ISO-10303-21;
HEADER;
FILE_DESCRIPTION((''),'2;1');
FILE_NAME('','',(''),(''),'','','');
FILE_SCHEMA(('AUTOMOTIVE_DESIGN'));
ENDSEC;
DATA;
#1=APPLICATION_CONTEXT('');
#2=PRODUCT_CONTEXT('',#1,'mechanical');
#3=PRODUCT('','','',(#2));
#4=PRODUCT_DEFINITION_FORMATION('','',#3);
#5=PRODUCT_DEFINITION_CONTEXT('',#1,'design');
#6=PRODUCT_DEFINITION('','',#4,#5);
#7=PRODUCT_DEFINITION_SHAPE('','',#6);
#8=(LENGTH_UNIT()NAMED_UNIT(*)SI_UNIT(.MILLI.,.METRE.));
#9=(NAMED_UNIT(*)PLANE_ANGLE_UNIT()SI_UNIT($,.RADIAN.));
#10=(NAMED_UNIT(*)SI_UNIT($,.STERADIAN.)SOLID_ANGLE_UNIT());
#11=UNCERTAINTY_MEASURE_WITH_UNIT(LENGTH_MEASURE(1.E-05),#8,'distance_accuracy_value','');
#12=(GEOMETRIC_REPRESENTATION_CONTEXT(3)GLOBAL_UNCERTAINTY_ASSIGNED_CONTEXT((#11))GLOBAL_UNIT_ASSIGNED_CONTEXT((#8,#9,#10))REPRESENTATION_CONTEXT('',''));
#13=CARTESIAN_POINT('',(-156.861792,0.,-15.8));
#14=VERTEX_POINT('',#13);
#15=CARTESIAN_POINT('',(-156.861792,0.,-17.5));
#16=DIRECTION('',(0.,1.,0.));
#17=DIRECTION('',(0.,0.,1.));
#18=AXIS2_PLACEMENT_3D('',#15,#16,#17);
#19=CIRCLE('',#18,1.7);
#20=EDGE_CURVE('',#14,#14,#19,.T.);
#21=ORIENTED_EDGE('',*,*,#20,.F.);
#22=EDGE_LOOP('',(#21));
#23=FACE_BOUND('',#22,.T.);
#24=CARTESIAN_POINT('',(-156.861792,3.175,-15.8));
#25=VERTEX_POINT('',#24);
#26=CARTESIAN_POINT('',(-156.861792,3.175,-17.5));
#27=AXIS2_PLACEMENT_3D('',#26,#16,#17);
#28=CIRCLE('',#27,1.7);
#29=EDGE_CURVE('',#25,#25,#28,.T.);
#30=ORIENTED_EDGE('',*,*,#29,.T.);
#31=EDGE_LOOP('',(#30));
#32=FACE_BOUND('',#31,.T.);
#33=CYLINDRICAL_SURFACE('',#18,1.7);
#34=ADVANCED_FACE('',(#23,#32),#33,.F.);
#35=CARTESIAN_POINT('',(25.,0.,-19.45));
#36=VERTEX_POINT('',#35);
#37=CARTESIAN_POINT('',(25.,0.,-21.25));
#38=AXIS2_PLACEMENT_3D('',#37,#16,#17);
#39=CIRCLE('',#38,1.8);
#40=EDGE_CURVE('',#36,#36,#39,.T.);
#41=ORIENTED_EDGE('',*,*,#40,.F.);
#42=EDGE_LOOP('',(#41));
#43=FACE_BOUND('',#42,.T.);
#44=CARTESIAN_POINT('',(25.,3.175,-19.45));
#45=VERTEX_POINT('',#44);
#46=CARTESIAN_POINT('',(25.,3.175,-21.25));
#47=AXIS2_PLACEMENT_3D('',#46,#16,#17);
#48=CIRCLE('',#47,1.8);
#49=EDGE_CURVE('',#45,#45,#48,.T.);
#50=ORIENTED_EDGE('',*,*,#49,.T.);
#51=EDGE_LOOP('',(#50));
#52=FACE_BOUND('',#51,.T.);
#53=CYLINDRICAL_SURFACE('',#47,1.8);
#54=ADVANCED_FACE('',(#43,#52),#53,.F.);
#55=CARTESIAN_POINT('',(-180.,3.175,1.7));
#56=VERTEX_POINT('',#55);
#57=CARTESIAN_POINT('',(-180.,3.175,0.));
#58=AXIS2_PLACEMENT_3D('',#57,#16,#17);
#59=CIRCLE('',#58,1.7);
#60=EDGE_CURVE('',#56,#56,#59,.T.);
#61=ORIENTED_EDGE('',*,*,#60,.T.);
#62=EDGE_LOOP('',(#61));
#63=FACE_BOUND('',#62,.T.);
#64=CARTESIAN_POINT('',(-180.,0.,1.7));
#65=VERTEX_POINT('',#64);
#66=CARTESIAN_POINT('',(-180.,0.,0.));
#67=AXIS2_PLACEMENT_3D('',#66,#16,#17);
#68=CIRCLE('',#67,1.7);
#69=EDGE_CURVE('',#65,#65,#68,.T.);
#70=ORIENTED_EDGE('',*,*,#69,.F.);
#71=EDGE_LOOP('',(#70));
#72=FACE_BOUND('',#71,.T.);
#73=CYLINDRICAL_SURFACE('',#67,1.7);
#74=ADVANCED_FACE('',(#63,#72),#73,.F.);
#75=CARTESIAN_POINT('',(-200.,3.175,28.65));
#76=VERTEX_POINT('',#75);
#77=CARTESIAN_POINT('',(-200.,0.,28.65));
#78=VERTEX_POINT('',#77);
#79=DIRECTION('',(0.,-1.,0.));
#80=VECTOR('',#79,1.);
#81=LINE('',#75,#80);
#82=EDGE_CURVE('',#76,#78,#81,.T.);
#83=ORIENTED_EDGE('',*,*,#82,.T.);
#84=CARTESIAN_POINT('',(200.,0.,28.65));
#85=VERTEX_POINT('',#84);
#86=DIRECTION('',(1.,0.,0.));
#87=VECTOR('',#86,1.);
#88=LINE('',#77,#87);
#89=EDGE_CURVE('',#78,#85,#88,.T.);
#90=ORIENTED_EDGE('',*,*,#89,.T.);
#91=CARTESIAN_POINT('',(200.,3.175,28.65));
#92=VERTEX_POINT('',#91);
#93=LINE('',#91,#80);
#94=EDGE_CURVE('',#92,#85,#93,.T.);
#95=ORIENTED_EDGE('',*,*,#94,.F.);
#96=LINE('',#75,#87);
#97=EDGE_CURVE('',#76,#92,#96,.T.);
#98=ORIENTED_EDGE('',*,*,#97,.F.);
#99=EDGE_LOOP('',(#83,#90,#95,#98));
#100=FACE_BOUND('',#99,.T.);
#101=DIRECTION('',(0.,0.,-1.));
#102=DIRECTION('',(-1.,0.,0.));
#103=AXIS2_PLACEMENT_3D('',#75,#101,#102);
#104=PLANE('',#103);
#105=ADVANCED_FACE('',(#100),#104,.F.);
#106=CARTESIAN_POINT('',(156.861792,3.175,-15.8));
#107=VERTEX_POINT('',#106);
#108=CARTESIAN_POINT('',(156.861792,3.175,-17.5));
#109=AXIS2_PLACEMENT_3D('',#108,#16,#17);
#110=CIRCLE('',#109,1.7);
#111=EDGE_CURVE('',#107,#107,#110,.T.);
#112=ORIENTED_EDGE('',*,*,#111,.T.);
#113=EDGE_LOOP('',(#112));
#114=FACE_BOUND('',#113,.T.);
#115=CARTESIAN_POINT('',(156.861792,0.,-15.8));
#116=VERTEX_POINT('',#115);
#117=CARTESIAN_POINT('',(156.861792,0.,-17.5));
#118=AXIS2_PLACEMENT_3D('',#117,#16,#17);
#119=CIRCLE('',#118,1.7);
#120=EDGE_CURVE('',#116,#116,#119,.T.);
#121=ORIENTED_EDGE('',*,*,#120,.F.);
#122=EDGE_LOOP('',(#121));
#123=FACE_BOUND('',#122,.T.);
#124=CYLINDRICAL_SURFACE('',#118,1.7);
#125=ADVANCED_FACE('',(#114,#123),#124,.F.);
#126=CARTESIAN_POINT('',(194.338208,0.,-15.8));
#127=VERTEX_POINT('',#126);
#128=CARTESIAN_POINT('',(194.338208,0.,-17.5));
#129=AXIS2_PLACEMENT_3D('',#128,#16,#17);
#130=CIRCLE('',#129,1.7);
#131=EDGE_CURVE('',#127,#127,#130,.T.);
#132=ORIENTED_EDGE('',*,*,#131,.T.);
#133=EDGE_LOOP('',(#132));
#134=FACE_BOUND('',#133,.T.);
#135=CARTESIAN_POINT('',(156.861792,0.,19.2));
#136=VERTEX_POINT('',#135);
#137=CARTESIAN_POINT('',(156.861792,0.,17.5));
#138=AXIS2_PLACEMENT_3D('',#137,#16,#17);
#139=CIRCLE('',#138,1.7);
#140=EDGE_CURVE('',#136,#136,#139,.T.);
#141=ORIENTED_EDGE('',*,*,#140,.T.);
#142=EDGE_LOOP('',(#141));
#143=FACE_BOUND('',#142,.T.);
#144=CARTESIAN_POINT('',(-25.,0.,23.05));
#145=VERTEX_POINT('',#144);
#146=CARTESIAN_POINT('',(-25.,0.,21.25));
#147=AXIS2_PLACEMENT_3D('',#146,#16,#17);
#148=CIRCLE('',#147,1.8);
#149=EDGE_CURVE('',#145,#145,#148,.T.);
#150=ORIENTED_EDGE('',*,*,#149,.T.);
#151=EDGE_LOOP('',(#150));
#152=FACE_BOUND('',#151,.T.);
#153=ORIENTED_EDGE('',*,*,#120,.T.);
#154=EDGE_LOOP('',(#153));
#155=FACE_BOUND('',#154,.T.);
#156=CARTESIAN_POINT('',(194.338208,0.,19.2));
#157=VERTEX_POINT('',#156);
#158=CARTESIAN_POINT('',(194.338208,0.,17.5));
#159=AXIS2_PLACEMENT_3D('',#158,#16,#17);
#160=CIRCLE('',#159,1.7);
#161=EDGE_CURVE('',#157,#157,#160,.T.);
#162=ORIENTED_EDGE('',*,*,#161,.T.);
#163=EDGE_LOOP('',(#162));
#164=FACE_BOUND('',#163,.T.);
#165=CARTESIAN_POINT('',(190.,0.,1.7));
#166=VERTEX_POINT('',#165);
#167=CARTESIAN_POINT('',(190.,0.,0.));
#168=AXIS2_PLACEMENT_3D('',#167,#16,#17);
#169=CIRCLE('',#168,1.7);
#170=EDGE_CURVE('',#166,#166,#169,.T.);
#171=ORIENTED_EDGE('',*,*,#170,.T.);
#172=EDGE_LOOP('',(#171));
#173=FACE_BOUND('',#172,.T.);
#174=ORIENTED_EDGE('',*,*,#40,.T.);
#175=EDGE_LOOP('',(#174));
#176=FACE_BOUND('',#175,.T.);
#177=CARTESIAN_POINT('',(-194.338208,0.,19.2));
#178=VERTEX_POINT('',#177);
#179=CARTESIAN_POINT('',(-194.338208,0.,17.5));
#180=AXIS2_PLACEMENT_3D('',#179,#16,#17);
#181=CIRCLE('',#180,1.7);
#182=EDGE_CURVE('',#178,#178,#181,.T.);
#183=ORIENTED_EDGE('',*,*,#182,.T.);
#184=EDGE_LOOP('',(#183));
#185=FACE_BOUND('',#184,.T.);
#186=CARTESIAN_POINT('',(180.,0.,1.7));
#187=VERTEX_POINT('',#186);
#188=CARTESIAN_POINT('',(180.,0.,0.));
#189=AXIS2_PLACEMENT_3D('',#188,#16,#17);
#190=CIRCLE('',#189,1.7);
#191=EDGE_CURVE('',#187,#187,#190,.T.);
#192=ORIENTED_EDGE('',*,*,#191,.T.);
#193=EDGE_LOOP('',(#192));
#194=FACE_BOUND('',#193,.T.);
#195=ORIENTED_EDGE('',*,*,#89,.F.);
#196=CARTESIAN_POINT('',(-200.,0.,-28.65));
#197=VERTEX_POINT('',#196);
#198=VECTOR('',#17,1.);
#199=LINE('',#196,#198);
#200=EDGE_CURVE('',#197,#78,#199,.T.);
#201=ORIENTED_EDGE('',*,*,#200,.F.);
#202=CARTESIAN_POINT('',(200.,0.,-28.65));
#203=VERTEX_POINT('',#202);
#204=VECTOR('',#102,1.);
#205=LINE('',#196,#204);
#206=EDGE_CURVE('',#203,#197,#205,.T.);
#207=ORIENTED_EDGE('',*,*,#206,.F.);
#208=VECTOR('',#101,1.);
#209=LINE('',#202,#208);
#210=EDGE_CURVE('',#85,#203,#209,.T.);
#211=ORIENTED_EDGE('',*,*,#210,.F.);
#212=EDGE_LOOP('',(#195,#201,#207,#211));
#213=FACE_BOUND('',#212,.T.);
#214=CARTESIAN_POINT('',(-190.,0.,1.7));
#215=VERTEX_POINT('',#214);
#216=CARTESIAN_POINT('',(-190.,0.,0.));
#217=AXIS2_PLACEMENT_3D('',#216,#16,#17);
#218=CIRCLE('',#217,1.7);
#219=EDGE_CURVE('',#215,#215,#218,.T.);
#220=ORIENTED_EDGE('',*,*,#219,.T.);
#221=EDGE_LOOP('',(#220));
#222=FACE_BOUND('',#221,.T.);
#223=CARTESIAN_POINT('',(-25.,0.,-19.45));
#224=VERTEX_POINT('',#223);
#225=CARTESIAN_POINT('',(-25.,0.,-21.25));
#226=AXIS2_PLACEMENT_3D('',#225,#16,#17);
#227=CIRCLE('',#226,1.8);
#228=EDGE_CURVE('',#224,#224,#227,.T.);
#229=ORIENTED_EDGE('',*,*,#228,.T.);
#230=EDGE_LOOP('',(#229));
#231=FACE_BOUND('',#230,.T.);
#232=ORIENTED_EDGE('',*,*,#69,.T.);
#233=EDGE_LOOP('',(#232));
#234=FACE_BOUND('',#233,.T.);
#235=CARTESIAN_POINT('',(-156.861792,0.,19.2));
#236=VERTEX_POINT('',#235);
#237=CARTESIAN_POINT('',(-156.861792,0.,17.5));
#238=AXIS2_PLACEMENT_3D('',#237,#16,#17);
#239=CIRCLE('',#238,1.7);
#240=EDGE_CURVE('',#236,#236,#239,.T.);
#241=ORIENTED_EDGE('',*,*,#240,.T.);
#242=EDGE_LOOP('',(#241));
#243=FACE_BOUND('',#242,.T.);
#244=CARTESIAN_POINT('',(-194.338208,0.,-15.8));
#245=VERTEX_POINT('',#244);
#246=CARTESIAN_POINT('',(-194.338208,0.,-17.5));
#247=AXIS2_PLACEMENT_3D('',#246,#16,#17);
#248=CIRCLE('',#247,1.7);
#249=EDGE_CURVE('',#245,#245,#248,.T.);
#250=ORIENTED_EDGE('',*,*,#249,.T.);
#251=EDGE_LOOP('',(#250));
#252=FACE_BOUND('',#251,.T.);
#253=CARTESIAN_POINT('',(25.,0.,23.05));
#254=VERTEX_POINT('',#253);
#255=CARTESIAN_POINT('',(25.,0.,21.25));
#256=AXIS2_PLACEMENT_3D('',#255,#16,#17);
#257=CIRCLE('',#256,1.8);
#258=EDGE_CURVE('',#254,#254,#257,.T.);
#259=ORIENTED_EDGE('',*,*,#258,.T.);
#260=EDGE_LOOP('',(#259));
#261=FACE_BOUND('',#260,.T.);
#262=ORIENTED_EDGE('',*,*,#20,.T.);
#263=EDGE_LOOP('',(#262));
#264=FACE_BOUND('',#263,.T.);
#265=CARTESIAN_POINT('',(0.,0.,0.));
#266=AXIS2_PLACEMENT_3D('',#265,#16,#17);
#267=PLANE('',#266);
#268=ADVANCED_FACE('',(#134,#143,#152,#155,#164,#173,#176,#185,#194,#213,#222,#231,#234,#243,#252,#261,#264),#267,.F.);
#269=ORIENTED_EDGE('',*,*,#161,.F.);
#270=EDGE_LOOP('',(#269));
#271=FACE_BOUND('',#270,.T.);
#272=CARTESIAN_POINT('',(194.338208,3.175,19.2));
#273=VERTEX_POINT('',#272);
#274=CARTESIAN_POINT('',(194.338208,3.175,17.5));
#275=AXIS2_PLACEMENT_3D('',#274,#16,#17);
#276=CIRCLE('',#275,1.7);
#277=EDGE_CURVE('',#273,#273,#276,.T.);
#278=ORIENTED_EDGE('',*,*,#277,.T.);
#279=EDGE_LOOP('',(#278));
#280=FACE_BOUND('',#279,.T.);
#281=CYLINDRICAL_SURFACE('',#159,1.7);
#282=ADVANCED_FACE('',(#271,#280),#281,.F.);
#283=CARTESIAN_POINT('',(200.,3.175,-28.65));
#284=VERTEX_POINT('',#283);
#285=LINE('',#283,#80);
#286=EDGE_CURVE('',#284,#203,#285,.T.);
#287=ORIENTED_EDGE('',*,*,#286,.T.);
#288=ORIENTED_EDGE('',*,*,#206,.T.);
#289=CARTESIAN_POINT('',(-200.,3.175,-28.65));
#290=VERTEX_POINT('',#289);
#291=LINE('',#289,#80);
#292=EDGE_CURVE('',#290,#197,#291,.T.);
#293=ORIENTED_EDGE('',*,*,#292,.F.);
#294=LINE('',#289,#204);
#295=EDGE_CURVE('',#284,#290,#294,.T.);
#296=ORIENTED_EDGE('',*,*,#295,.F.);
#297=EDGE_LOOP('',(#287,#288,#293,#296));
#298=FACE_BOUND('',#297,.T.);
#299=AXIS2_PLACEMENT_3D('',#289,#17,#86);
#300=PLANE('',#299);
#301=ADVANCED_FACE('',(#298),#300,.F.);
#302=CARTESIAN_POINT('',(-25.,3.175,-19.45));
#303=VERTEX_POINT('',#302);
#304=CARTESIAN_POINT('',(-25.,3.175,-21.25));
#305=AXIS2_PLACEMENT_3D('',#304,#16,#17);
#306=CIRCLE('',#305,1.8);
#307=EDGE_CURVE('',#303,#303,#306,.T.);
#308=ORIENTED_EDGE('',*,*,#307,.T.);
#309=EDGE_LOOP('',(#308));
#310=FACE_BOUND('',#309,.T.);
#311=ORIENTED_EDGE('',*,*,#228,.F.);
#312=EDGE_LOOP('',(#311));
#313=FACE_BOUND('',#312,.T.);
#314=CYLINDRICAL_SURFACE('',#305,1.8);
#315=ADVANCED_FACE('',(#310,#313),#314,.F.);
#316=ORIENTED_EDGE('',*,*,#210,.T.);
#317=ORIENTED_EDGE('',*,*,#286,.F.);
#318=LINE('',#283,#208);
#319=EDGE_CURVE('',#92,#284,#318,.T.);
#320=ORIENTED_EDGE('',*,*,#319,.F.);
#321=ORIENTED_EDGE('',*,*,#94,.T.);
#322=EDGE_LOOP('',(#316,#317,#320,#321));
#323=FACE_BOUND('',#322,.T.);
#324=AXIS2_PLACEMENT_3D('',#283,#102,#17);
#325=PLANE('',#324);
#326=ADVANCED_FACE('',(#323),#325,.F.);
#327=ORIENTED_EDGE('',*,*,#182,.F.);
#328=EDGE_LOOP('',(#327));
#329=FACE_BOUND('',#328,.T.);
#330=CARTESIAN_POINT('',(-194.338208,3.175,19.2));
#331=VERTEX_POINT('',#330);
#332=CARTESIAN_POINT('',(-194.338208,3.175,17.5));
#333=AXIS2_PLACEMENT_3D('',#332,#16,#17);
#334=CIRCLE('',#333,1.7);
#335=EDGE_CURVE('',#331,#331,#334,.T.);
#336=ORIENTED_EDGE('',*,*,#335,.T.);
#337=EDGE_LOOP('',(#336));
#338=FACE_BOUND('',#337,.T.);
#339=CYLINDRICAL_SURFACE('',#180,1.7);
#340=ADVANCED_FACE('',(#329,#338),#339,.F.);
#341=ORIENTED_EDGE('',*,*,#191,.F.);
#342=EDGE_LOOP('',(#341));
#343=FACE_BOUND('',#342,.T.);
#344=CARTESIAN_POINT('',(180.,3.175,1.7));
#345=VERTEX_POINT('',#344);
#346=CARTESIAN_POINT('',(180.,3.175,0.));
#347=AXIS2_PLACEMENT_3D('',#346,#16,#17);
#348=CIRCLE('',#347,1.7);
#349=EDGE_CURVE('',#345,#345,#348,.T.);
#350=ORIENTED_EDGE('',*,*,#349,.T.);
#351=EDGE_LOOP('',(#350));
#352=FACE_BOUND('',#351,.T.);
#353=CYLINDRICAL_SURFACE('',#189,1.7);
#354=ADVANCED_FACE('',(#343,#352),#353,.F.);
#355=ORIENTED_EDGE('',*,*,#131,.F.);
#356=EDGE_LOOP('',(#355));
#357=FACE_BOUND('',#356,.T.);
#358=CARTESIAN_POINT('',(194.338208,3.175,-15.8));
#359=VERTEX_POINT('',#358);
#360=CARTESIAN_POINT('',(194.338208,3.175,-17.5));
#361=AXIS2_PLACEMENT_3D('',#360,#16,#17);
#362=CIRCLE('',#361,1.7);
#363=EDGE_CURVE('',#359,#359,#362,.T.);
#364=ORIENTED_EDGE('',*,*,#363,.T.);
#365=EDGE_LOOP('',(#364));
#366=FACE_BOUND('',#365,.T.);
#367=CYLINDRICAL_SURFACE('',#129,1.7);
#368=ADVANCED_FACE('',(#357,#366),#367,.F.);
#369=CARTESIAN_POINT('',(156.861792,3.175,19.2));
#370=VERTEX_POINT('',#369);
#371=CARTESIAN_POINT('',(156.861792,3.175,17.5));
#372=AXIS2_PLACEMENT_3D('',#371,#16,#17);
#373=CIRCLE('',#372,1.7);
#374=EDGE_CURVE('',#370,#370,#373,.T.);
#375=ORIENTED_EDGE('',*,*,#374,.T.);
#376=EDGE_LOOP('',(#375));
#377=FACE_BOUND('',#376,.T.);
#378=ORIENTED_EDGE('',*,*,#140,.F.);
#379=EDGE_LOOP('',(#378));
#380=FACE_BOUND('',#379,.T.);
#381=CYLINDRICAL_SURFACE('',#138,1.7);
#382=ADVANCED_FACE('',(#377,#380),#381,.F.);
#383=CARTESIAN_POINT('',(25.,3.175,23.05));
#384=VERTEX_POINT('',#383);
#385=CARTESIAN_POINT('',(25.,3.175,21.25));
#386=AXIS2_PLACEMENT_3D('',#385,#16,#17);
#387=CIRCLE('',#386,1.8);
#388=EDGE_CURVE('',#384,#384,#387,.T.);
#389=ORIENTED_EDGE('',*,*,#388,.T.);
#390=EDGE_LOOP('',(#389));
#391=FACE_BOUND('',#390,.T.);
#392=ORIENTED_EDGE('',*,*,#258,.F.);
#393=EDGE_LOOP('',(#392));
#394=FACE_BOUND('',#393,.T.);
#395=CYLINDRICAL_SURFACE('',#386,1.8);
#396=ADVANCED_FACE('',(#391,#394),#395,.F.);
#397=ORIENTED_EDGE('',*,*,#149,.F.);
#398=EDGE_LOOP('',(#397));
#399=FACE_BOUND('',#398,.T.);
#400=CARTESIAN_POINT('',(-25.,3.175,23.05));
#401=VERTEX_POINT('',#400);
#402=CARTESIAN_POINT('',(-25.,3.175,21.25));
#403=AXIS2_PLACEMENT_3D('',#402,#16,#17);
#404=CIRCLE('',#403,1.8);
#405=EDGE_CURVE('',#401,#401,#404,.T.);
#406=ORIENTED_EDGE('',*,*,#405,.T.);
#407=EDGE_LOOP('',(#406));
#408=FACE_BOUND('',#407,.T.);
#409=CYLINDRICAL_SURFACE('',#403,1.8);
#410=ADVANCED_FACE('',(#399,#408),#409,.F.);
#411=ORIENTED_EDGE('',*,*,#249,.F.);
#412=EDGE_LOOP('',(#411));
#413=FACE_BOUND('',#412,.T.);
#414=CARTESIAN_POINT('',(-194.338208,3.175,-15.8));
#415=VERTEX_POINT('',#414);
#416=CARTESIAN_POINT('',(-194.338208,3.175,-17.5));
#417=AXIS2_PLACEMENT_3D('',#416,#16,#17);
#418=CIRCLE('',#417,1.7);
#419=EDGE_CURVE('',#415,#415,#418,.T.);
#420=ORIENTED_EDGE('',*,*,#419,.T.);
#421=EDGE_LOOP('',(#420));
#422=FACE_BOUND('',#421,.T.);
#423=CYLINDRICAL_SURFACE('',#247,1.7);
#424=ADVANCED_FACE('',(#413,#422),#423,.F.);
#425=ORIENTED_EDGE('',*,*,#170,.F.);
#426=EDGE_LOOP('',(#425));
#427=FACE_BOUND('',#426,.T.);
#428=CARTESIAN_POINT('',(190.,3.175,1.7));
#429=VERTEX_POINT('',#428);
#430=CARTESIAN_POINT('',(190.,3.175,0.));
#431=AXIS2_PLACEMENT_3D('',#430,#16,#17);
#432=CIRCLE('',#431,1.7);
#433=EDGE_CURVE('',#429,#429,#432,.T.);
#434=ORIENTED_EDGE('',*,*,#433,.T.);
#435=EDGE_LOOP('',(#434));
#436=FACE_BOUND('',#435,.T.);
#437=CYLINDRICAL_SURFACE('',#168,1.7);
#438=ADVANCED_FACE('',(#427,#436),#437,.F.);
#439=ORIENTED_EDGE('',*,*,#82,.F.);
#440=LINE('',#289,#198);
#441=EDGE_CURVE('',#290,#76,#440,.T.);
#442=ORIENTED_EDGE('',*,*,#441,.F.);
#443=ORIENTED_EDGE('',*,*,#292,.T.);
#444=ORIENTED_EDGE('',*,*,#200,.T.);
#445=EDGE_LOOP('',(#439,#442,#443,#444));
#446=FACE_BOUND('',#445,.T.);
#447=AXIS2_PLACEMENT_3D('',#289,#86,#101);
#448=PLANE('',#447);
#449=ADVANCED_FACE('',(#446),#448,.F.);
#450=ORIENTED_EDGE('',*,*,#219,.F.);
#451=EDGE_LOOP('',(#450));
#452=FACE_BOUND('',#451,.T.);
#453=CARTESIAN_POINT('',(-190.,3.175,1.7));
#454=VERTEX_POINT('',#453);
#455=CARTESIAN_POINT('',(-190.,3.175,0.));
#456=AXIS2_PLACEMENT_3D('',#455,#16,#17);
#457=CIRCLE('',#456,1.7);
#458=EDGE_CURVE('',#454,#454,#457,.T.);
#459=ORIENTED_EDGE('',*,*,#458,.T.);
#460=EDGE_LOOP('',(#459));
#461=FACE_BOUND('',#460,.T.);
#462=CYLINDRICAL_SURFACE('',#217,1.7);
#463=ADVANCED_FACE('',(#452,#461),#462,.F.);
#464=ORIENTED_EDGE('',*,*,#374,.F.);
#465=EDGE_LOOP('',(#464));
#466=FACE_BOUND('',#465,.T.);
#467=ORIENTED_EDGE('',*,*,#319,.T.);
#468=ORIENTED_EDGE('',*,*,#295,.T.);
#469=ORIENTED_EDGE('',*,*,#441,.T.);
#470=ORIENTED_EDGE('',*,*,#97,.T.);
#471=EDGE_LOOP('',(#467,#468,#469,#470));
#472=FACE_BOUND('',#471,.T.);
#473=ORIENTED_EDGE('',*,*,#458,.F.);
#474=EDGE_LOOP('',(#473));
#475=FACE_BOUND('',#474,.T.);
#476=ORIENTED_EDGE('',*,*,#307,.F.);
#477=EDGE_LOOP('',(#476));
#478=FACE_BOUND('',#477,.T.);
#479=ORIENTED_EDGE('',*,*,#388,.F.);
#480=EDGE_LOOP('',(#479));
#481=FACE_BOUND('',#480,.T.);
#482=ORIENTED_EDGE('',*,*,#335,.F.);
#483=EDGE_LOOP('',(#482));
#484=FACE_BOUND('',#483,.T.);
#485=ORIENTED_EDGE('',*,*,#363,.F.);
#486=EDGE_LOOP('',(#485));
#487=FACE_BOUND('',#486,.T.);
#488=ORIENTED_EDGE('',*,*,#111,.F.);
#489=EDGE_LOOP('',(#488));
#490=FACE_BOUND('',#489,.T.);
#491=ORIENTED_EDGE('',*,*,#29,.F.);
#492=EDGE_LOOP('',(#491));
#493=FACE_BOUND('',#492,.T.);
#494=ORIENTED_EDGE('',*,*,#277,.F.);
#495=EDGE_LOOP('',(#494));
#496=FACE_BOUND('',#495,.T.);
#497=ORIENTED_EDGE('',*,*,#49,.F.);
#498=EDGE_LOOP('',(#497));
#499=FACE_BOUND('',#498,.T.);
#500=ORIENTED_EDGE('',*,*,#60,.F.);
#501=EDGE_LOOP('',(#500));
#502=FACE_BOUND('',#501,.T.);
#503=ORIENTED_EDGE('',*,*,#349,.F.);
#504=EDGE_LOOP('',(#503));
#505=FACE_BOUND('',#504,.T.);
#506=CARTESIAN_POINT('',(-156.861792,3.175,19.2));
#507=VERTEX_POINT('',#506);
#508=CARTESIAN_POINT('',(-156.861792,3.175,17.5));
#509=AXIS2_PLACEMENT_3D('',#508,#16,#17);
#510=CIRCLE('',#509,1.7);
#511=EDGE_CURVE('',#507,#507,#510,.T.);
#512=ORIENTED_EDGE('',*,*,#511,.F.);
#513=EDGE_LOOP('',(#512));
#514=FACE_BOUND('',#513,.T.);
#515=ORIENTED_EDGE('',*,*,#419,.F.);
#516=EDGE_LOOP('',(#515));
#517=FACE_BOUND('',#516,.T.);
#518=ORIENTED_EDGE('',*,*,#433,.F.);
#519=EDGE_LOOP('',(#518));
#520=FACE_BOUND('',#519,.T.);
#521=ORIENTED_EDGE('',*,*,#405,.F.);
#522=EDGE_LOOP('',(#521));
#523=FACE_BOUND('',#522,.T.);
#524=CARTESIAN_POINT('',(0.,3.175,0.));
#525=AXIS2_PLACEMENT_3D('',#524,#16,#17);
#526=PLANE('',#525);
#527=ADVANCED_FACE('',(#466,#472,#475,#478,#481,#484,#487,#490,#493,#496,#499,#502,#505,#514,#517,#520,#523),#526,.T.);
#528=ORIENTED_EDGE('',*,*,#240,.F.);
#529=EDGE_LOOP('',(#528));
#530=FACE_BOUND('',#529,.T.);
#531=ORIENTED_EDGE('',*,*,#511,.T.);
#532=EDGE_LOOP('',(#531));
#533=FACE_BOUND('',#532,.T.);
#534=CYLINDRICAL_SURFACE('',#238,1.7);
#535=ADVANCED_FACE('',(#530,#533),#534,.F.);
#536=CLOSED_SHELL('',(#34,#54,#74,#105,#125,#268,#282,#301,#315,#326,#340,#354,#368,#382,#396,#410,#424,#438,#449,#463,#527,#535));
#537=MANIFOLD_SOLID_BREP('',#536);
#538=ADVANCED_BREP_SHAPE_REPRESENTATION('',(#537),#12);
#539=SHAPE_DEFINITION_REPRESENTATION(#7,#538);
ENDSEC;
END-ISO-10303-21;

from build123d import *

# Parameters (mm, degrees)
SKETCH1_W                = 400
SKETCH1_H                = 57.3
BOSS_EXTRUDE1_DEPTH      = 3.175
SKETCH2_R                = 1.7
CUT_EXTRUDE1_DEPTH       = 203.066580921
M3_CLEARANCE_HOLE1_D     = 3.6
M3_CLEARANCE_HOLE1_DEPTH = 3.918450886
M3_CLEARANCE_HOLE1_TIP   = 1.081549114


with BuildPart() as part:
    # Sketch1 → Boss-Extrude1 (new body)
    with BuildSketch(Plane(origin=(0, 0, 0), x_dir=(1, 0, 0), z_dir=(0, 1, 0))):
        Rectangle(SKETCH1_W, SKETCH1_H)
    extrude(amount=BOSS_EXTRUDE1_DEPTH)

    # Sketch2 → Cut-Extrude1 (cut, through all)
    with BuildSketch(Plane(origin=(0, 3.175, 0), x_dir=(1, 0, 0), z_dir=(0, 1, 0))):
        with Locations(Location((-194.338207547, -17.5, 0), (0, 0, 270))):
            Circle(SKETCH2_R)
        with Locations(Location((-194.338207547, 17.5, 0), (0, 0, 270))):
            Circle(SKETCH2_R)
        with Locations(Location((-190, -4e-09, 0), (0, 0, 270))):
            Circle(SKETCH2_R)
        with Locations(Location((-180, -4e-09, 0), (0, 0, 270))):
            Circle(SKETCH2_R)
        with Locations(Location((-156.861792453, -17.5, 0), (0, 0, 270))):
            Circle(SKETCH2_R)
        with Locations(Location((-156.861792453, 17.5, 0), (0, 0, 270))):
            Circle(SKETCH2_R)
        with Locations(Location((156.861792453, 17.5, 0), (0, 0, 270))):
            Circle(SKETCH2_R)
        with Locations(Location((156.861792453, -17.5, 0), (0, 0, 270))):
            Circle(SKETCH2_R)
        with Locations(Location((194.338207547, -17.5, 0), (0, 0, 270))):
            Circle(SKETCH2_R)
        with Locations(Location((180, 4e-09, 0), (0, 0, 270))):
            Circle(SKETCH2_R)
        with Locations(Location((190, 4e-09, 0), (0, 0, 270))):
            Circle(SKETCH2_R)
        with Locations(Location((194.338207547, 17.5, 0), (0, 0, 270))):
            Circle(SKETCH2_R)
    extrude(amount=-CUT_EXTRUDE1_DEPTH, mode=Mode.SUBTRACT)

    # M3 Clearance Hole1
    with Locations(Plane(origin=(0, 3.175, 0), x_dir=(1, 0, 0), z_dir=(0, 1, 0))):
        with Locations((25, -21.25), (-25, 21.25), (-25, -21.25), (25, 21.25)):
            Hole(M3_CLEARANCE_HOLE1_D / 2, depth=M3_CLEARANCE_HOLE1_DEPTH)
            with Locations((0, 0, -(M3_CLEARANCE_HOLE1_DEPTH + M3_CLEARANCE_HOLE1_TIP / 2))):  # 118° drill point
                Cone(0, M3_CLEARANCE_HOLE1_D / 2, M3_CLEARANCE_HOLE1_TIP, mode=Mode.SUBTRACT)


solid = part.part
